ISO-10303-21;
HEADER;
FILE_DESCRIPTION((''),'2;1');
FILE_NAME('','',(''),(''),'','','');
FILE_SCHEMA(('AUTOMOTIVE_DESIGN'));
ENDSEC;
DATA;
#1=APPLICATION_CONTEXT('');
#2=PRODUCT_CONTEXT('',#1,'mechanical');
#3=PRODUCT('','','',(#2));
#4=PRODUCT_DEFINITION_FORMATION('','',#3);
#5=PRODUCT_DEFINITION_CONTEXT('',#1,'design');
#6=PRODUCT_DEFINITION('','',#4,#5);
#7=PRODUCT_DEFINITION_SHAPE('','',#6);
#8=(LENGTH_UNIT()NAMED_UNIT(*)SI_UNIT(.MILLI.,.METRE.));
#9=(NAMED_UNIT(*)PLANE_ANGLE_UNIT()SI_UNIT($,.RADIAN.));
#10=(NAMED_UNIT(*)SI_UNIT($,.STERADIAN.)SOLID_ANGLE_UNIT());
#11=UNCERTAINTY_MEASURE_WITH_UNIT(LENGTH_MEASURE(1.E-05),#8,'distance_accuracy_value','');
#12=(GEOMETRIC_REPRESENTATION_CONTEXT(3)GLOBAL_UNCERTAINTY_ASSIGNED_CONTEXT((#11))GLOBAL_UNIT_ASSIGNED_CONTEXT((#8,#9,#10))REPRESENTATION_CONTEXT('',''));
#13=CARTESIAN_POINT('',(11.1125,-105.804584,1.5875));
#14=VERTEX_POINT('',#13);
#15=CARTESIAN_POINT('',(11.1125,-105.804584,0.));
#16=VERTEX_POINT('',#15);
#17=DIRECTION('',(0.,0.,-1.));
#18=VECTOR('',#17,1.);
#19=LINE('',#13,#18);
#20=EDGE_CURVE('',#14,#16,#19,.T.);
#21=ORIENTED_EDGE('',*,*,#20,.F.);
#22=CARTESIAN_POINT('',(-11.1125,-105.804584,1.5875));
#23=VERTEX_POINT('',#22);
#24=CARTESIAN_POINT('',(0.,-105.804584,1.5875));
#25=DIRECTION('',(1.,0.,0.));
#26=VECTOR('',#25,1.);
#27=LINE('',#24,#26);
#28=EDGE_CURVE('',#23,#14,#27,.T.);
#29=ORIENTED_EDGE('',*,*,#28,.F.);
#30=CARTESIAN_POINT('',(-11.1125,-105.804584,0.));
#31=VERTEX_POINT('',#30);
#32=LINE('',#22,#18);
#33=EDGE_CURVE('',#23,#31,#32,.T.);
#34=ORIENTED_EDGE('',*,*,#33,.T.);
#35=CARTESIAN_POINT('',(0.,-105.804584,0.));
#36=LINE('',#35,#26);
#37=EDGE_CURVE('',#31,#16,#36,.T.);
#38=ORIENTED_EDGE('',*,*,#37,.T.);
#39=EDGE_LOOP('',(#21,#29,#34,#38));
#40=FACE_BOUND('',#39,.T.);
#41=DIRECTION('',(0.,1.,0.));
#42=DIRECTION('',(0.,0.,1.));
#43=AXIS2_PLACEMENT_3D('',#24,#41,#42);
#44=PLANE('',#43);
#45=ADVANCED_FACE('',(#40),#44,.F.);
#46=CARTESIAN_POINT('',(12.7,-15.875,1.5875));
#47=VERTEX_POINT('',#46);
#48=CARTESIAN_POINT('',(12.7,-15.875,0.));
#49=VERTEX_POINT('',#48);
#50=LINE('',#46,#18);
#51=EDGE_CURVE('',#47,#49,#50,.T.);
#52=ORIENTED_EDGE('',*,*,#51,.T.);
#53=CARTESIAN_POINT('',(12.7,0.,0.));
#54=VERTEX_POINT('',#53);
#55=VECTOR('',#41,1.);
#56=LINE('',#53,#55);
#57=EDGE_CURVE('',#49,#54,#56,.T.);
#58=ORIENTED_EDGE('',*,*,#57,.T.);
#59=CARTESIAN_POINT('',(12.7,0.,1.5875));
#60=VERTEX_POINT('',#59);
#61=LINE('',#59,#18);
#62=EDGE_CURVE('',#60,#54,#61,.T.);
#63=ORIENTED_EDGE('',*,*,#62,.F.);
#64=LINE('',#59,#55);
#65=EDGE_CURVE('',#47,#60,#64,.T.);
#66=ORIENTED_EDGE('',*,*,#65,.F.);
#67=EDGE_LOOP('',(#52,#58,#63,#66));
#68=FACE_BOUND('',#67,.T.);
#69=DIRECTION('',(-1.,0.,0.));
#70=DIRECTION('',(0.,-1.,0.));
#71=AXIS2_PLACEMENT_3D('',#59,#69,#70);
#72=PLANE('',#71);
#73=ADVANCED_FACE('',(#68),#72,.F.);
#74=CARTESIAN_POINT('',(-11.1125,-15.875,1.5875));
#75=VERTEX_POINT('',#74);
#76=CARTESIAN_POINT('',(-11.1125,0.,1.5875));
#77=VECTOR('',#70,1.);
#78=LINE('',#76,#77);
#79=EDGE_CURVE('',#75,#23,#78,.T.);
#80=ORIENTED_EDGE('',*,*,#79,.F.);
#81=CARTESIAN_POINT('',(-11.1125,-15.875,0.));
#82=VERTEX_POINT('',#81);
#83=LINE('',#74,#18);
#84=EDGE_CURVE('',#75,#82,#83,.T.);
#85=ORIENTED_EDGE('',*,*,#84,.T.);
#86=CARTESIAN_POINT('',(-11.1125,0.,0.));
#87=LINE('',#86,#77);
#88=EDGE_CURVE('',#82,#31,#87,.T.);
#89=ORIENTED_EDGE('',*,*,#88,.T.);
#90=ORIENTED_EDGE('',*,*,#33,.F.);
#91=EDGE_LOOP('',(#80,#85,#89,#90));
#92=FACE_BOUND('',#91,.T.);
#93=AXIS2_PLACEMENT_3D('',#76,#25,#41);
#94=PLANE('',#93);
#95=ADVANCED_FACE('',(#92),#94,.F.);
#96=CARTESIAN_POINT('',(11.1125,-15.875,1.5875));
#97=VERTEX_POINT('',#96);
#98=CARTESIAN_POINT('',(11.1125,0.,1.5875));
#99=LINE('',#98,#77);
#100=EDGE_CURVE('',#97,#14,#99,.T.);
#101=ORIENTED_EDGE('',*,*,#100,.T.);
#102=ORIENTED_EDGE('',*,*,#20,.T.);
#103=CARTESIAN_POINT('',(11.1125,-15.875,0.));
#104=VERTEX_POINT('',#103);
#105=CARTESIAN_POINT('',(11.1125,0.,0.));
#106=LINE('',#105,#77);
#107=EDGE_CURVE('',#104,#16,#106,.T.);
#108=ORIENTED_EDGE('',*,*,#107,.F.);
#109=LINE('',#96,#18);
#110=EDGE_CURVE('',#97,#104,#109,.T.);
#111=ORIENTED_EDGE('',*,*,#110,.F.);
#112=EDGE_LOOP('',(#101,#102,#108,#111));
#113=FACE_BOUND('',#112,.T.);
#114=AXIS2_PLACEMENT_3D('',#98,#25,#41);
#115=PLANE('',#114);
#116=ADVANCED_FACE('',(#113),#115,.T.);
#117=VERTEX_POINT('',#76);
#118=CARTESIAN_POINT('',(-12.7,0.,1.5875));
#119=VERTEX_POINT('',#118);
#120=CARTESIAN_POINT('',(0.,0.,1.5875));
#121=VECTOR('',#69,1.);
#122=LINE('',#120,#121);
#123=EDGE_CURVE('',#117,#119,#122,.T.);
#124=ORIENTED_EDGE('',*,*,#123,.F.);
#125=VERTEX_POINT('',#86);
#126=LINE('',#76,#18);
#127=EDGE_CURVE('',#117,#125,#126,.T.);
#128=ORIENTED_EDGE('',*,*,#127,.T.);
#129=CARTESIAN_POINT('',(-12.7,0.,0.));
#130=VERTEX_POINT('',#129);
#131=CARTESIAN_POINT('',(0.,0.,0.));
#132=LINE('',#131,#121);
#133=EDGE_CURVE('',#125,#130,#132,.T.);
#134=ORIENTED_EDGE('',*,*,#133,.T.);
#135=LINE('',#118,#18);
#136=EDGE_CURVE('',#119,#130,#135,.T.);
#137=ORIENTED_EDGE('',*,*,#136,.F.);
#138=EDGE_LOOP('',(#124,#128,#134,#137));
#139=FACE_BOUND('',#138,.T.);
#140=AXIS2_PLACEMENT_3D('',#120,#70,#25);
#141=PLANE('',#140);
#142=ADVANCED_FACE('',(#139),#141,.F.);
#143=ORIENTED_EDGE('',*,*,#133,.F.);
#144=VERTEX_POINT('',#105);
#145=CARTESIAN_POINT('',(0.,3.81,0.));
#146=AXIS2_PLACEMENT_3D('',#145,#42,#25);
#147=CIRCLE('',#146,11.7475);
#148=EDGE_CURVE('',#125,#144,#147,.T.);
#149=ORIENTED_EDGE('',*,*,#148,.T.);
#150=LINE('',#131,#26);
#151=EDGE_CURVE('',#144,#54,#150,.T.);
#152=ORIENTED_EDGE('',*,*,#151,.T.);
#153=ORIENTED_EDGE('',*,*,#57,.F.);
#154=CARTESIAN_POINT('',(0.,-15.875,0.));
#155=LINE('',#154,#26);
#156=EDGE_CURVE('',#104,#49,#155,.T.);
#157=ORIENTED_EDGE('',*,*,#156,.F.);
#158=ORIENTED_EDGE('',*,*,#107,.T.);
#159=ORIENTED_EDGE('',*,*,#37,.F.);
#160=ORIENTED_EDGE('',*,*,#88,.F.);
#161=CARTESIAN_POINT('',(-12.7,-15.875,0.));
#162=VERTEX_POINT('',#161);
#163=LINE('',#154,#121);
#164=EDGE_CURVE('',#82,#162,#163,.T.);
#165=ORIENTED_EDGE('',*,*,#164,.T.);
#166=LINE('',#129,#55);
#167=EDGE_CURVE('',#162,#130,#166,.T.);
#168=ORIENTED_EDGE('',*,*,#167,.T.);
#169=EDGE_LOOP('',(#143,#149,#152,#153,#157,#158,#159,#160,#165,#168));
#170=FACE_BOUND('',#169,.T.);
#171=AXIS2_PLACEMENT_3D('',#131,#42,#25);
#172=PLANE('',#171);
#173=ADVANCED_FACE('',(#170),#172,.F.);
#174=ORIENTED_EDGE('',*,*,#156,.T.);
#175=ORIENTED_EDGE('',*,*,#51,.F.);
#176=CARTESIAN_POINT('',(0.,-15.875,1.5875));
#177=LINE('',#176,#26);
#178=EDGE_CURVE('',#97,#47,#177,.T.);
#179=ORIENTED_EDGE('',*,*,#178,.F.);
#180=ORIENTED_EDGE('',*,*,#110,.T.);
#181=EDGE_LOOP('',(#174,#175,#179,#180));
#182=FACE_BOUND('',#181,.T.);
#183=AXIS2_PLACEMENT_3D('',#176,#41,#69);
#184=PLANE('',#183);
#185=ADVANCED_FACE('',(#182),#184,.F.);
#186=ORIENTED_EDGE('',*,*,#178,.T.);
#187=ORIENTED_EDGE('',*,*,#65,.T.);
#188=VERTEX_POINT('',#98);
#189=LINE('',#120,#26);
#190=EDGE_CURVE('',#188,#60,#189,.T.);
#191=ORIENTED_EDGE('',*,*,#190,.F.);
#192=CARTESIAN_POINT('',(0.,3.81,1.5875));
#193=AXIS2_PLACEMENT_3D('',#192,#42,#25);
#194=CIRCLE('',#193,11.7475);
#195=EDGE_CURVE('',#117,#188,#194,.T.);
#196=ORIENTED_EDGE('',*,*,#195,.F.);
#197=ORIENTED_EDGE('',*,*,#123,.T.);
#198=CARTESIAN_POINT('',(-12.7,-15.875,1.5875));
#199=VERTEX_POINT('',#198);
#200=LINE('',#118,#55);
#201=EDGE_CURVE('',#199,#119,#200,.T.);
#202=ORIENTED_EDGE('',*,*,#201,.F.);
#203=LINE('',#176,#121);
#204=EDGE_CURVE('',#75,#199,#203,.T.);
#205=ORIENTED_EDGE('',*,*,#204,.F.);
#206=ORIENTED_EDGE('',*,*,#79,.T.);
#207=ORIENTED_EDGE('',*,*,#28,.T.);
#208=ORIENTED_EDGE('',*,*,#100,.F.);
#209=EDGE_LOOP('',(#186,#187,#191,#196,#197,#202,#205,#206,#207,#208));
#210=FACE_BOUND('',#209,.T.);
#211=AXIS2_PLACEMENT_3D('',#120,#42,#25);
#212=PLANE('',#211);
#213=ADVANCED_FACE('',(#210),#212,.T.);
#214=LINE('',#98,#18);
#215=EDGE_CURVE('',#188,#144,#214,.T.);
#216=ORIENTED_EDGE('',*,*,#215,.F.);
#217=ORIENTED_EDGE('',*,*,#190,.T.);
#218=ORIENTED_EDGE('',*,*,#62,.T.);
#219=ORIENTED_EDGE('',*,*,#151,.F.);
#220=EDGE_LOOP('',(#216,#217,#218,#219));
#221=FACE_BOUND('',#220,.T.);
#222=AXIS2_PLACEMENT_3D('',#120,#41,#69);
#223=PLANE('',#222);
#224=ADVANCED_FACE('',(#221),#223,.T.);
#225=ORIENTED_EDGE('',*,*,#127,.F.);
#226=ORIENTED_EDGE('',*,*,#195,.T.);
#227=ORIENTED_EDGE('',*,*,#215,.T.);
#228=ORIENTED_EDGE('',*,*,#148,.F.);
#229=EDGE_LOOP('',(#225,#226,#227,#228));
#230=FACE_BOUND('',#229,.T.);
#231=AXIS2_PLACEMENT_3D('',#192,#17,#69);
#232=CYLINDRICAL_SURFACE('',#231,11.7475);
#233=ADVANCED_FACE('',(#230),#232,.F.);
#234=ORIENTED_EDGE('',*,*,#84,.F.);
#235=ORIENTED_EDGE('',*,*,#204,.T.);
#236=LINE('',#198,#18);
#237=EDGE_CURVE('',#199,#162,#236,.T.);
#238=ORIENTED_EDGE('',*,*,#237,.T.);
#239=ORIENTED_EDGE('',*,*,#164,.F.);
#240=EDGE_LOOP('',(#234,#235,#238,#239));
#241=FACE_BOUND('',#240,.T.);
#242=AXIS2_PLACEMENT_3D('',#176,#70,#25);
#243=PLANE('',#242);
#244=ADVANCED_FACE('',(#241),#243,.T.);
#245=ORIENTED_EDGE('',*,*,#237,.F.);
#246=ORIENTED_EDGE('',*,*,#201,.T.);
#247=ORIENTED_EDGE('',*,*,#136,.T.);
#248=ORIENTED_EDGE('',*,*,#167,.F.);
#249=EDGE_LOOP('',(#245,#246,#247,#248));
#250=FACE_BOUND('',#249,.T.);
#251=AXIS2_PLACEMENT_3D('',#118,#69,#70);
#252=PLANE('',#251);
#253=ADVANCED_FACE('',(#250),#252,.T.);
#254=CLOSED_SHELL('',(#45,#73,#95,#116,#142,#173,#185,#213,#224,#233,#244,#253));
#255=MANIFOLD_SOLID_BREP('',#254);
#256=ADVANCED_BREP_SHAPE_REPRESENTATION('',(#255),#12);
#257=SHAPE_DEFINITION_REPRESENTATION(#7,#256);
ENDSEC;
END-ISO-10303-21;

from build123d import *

# Parameters (mm, degrees)
SKETCH2_W           = 1.5875
SKETCH2_H           = 15.875
BOSS_EXTRUDE1_DEPTH = 1.5875


with BuildPart() as part:
    # Sketch2 → Boss-Extrude1 (new body)
    with BuildSketch(Plane.XY):
        with BuildLine():
            ThreePointArc((11.1125, 0), (0, -7.9375), (-11.1125, 0))
            Line((-11.1125, 0), (-11.1125, -15.875))
            Line((-11.1125, -15.875), (-11.1125, -105.804584263))
            Line((-11.1125, -105.804584263), (11.1125, -105.804584263))
            Line((11.1125, -105.804584263), (11.1125, -15.875))
            Line((11.1125, -15.875), (11.1125, 0))
        make_face()
        with Locations((-11.90625, -7.9375)):
            Rectangle(SKETCH2_W, SKETCH2_H)
        with Locations((11.90625, -7.9375)):
            Rectangle(SKETCH2_W, SKETCH2_H)
    extrude(amount=BOSS_EXTRUDE1_DEPTH)


solid = part.part
